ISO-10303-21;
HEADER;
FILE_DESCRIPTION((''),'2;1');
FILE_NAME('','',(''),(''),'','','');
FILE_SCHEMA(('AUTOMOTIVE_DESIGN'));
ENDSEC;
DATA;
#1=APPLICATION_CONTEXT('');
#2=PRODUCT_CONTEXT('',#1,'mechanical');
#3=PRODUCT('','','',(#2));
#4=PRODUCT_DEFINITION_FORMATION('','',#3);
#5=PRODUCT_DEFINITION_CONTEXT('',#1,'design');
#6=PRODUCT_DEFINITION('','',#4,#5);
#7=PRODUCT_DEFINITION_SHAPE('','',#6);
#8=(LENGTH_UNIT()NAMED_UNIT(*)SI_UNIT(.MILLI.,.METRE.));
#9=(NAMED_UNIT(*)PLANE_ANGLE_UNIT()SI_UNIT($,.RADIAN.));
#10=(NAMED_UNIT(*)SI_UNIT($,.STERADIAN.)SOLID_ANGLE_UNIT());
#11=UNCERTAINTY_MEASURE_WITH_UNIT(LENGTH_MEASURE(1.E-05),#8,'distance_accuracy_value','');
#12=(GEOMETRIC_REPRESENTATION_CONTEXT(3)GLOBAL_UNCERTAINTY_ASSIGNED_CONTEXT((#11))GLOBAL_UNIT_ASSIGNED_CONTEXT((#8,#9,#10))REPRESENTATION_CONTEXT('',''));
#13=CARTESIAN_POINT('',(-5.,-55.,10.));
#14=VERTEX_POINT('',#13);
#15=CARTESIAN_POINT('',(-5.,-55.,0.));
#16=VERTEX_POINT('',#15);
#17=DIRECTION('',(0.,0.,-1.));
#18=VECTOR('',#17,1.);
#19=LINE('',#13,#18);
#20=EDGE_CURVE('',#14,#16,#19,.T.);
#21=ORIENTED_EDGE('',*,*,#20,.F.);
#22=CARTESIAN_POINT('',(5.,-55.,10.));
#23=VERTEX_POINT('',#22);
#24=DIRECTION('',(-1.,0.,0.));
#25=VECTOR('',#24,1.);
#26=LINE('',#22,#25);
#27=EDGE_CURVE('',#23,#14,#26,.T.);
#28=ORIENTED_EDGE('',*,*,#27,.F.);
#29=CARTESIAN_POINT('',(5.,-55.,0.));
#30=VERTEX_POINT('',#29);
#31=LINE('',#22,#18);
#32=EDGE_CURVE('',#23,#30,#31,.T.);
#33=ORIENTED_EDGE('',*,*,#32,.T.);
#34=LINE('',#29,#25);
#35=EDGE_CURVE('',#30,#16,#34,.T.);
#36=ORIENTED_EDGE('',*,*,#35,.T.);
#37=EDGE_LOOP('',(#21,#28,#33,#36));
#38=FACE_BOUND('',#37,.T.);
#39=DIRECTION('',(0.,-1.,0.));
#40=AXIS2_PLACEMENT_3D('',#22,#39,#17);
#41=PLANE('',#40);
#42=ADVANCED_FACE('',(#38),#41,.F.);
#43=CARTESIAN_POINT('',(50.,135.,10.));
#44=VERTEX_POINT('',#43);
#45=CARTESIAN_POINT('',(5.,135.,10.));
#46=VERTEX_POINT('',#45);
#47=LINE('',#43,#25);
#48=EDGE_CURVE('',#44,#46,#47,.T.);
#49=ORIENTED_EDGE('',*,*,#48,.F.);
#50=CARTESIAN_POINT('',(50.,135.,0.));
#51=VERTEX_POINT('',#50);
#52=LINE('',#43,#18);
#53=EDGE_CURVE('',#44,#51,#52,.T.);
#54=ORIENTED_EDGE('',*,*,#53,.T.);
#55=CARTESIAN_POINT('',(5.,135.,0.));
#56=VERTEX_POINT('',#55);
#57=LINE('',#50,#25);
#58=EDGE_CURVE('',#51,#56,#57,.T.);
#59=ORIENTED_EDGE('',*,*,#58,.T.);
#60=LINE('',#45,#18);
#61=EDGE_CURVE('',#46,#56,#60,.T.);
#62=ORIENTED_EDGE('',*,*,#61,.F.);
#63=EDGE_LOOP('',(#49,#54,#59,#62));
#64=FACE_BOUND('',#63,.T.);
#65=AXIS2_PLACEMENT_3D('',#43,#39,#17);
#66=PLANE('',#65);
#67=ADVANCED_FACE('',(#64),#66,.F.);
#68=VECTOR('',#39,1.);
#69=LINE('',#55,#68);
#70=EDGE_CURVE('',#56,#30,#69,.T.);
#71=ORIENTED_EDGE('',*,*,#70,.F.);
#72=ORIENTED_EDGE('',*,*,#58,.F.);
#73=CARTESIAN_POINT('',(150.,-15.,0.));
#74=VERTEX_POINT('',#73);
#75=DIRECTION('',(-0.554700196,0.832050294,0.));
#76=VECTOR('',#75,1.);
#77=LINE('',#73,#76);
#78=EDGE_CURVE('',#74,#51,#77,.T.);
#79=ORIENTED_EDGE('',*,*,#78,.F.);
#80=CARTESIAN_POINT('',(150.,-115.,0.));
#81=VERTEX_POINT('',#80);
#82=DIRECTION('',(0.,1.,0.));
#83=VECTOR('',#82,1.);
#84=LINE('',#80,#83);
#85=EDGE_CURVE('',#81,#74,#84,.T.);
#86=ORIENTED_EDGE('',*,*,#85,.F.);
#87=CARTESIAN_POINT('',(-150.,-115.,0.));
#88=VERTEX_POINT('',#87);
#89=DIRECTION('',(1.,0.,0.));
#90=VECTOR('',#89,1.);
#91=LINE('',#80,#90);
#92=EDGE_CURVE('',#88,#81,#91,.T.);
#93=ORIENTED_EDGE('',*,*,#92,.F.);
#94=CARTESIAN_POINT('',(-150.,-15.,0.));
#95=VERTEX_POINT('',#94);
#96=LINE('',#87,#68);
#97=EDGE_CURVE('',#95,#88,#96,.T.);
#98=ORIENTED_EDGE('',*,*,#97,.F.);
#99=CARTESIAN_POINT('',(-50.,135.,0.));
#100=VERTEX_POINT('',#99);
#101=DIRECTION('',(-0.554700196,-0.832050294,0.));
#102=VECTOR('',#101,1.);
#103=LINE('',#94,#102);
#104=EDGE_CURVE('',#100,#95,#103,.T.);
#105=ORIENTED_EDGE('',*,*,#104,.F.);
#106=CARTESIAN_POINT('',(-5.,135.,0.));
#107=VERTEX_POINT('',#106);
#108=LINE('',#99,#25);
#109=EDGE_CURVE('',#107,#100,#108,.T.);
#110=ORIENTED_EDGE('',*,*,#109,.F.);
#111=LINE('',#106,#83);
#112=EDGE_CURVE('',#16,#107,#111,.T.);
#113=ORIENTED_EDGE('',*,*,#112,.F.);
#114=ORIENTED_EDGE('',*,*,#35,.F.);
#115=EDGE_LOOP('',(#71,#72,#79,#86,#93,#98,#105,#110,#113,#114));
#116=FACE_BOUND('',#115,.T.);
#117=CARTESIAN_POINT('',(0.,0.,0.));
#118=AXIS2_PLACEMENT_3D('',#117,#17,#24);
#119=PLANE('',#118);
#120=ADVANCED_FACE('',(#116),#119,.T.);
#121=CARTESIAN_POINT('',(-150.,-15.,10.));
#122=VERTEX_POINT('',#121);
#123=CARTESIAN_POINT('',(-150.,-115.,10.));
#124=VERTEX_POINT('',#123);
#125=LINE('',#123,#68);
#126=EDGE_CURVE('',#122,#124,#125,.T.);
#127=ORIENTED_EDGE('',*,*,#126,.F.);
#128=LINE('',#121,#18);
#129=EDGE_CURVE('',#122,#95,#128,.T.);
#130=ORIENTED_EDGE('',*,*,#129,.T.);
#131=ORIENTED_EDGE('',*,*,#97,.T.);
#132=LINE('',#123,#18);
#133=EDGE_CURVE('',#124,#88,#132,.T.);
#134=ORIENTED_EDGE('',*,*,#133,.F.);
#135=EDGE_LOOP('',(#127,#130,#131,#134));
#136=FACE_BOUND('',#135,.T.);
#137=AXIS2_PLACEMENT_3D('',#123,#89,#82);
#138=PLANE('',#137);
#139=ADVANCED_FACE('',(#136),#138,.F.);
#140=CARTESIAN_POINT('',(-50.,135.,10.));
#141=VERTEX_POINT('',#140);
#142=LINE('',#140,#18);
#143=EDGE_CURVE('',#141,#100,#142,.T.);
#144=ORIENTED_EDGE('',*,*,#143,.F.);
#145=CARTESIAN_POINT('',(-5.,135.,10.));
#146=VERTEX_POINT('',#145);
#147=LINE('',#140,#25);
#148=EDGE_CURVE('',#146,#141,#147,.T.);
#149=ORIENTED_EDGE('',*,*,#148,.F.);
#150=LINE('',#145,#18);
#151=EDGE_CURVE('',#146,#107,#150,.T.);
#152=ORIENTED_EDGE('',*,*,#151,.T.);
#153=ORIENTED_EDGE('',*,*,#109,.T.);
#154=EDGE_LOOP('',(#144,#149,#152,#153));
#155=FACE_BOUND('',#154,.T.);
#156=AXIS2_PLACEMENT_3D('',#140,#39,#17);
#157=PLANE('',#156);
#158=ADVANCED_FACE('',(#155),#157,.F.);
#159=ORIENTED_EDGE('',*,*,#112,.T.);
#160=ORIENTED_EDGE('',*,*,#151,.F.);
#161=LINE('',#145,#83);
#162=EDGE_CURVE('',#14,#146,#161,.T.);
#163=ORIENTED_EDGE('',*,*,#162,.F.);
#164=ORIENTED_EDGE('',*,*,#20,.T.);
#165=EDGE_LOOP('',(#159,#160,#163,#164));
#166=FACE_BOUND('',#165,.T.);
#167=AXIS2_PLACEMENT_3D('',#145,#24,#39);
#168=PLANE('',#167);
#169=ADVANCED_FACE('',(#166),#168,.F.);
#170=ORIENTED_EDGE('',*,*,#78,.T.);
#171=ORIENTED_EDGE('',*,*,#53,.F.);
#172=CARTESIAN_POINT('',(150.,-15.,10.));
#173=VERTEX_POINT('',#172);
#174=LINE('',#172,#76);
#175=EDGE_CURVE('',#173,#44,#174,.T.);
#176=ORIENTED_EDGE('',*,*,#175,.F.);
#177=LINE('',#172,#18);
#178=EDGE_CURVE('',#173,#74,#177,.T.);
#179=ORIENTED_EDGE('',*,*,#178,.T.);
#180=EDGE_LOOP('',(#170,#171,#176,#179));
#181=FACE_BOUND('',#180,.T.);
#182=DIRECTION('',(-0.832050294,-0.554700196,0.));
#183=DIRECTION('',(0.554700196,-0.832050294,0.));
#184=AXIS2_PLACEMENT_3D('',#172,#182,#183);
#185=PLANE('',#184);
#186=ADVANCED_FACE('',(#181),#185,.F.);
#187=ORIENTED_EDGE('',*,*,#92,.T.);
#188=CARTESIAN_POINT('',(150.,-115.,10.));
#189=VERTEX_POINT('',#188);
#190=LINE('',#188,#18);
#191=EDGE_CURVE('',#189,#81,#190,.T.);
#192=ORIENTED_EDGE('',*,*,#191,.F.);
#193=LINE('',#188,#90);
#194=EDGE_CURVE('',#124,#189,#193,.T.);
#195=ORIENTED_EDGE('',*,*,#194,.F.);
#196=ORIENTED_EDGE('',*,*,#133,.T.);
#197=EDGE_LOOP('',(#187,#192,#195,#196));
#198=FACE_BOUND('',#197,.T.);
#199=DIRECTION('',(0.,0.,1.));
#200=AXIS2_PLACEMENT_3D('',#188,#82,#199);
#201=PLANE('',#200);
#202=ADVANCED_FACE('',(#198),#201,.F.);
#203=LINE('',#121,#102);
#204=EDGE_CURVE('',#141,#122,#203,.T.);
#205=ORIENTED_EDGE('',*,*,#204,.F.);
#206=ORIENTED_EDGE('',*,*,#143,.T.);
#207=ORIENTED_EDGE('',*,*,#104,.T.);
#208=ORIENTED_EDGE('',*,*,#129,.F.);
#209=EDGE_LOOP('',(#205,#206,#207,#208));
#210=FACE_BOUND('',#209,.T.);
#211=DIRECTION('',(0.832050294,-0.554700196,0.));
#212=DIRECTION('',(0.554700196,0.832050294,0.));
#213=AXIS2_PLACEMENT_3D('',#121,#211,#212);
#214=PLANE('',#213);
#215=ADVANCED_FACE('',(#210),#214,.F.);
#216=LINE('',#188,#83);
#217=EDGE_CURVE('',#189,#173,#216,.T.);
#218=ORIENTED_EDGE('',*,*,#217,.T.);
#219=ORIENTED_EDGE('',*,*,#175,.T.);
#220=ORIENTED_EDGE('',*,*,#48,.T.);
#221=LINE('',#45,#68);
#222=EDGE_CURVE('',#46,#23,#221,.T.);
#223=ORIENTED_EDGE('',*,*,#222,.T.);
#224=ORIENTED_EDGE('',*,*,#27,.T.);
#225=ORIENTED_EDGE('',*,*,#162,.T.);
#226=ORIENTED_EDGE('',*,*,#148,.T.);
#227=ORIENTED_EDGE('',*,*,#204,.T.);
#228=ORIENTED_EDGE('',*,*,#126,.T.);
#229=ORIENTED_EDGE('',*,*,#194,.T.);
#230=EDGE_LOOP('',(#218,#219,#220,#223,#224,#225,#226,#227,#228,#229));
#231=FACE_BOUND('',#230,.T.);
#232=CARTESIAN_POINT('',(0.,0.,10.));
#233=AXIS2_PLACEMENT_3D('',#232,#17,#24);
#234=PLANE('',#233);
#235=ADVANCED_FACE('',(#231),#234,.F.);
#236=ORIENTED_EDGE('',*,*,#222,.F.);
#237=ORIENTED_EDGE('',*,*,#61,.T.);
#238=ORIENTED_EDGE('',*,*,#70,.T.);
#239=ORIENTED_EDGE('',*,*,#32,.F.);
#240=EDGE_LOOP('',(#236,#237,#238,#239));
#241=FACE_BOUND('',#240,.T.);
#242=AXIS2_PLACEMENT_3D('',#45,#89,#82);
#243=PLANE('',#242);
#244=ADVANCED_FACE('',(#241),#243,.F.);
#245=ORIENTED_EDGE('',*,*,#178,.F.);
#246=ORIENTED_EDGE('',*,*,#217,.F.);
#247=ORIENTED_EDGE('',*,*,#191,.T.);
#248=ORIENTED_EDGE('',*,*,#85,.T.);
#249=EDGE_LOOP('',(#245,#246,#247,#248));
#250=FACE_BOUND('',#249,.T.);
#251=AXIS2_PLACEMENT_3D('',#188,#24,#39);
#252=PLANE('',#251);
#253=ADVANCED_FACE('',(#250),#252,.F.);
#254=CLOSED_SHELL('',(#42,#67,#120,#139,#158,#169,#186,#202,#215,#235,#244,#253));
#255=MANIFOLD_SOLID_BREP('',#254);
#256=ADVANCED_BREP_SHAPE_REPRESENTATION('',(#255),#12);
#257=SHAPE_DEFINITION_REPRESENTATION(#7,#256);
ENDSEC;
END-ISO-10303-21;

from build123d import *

# Parameters (mm, degrees)
BOSS_EXTRUDE1_DEPTH = 10


with BuildPart() as part:
    # Sketch1 → Boss-Extrude1 (new body)
    with BuildSketch(Plane.XY):
        Polygon((150, -115), (-150, -115), (-150, -15), (-50, 135), (-5, 135), (-5, -55), (5, -55), (5, 135), (50, 135), (150, -15), align=None)
    extrude(amount=BOSS_EXTRUDE1_DEPTH)


solid = part.part
